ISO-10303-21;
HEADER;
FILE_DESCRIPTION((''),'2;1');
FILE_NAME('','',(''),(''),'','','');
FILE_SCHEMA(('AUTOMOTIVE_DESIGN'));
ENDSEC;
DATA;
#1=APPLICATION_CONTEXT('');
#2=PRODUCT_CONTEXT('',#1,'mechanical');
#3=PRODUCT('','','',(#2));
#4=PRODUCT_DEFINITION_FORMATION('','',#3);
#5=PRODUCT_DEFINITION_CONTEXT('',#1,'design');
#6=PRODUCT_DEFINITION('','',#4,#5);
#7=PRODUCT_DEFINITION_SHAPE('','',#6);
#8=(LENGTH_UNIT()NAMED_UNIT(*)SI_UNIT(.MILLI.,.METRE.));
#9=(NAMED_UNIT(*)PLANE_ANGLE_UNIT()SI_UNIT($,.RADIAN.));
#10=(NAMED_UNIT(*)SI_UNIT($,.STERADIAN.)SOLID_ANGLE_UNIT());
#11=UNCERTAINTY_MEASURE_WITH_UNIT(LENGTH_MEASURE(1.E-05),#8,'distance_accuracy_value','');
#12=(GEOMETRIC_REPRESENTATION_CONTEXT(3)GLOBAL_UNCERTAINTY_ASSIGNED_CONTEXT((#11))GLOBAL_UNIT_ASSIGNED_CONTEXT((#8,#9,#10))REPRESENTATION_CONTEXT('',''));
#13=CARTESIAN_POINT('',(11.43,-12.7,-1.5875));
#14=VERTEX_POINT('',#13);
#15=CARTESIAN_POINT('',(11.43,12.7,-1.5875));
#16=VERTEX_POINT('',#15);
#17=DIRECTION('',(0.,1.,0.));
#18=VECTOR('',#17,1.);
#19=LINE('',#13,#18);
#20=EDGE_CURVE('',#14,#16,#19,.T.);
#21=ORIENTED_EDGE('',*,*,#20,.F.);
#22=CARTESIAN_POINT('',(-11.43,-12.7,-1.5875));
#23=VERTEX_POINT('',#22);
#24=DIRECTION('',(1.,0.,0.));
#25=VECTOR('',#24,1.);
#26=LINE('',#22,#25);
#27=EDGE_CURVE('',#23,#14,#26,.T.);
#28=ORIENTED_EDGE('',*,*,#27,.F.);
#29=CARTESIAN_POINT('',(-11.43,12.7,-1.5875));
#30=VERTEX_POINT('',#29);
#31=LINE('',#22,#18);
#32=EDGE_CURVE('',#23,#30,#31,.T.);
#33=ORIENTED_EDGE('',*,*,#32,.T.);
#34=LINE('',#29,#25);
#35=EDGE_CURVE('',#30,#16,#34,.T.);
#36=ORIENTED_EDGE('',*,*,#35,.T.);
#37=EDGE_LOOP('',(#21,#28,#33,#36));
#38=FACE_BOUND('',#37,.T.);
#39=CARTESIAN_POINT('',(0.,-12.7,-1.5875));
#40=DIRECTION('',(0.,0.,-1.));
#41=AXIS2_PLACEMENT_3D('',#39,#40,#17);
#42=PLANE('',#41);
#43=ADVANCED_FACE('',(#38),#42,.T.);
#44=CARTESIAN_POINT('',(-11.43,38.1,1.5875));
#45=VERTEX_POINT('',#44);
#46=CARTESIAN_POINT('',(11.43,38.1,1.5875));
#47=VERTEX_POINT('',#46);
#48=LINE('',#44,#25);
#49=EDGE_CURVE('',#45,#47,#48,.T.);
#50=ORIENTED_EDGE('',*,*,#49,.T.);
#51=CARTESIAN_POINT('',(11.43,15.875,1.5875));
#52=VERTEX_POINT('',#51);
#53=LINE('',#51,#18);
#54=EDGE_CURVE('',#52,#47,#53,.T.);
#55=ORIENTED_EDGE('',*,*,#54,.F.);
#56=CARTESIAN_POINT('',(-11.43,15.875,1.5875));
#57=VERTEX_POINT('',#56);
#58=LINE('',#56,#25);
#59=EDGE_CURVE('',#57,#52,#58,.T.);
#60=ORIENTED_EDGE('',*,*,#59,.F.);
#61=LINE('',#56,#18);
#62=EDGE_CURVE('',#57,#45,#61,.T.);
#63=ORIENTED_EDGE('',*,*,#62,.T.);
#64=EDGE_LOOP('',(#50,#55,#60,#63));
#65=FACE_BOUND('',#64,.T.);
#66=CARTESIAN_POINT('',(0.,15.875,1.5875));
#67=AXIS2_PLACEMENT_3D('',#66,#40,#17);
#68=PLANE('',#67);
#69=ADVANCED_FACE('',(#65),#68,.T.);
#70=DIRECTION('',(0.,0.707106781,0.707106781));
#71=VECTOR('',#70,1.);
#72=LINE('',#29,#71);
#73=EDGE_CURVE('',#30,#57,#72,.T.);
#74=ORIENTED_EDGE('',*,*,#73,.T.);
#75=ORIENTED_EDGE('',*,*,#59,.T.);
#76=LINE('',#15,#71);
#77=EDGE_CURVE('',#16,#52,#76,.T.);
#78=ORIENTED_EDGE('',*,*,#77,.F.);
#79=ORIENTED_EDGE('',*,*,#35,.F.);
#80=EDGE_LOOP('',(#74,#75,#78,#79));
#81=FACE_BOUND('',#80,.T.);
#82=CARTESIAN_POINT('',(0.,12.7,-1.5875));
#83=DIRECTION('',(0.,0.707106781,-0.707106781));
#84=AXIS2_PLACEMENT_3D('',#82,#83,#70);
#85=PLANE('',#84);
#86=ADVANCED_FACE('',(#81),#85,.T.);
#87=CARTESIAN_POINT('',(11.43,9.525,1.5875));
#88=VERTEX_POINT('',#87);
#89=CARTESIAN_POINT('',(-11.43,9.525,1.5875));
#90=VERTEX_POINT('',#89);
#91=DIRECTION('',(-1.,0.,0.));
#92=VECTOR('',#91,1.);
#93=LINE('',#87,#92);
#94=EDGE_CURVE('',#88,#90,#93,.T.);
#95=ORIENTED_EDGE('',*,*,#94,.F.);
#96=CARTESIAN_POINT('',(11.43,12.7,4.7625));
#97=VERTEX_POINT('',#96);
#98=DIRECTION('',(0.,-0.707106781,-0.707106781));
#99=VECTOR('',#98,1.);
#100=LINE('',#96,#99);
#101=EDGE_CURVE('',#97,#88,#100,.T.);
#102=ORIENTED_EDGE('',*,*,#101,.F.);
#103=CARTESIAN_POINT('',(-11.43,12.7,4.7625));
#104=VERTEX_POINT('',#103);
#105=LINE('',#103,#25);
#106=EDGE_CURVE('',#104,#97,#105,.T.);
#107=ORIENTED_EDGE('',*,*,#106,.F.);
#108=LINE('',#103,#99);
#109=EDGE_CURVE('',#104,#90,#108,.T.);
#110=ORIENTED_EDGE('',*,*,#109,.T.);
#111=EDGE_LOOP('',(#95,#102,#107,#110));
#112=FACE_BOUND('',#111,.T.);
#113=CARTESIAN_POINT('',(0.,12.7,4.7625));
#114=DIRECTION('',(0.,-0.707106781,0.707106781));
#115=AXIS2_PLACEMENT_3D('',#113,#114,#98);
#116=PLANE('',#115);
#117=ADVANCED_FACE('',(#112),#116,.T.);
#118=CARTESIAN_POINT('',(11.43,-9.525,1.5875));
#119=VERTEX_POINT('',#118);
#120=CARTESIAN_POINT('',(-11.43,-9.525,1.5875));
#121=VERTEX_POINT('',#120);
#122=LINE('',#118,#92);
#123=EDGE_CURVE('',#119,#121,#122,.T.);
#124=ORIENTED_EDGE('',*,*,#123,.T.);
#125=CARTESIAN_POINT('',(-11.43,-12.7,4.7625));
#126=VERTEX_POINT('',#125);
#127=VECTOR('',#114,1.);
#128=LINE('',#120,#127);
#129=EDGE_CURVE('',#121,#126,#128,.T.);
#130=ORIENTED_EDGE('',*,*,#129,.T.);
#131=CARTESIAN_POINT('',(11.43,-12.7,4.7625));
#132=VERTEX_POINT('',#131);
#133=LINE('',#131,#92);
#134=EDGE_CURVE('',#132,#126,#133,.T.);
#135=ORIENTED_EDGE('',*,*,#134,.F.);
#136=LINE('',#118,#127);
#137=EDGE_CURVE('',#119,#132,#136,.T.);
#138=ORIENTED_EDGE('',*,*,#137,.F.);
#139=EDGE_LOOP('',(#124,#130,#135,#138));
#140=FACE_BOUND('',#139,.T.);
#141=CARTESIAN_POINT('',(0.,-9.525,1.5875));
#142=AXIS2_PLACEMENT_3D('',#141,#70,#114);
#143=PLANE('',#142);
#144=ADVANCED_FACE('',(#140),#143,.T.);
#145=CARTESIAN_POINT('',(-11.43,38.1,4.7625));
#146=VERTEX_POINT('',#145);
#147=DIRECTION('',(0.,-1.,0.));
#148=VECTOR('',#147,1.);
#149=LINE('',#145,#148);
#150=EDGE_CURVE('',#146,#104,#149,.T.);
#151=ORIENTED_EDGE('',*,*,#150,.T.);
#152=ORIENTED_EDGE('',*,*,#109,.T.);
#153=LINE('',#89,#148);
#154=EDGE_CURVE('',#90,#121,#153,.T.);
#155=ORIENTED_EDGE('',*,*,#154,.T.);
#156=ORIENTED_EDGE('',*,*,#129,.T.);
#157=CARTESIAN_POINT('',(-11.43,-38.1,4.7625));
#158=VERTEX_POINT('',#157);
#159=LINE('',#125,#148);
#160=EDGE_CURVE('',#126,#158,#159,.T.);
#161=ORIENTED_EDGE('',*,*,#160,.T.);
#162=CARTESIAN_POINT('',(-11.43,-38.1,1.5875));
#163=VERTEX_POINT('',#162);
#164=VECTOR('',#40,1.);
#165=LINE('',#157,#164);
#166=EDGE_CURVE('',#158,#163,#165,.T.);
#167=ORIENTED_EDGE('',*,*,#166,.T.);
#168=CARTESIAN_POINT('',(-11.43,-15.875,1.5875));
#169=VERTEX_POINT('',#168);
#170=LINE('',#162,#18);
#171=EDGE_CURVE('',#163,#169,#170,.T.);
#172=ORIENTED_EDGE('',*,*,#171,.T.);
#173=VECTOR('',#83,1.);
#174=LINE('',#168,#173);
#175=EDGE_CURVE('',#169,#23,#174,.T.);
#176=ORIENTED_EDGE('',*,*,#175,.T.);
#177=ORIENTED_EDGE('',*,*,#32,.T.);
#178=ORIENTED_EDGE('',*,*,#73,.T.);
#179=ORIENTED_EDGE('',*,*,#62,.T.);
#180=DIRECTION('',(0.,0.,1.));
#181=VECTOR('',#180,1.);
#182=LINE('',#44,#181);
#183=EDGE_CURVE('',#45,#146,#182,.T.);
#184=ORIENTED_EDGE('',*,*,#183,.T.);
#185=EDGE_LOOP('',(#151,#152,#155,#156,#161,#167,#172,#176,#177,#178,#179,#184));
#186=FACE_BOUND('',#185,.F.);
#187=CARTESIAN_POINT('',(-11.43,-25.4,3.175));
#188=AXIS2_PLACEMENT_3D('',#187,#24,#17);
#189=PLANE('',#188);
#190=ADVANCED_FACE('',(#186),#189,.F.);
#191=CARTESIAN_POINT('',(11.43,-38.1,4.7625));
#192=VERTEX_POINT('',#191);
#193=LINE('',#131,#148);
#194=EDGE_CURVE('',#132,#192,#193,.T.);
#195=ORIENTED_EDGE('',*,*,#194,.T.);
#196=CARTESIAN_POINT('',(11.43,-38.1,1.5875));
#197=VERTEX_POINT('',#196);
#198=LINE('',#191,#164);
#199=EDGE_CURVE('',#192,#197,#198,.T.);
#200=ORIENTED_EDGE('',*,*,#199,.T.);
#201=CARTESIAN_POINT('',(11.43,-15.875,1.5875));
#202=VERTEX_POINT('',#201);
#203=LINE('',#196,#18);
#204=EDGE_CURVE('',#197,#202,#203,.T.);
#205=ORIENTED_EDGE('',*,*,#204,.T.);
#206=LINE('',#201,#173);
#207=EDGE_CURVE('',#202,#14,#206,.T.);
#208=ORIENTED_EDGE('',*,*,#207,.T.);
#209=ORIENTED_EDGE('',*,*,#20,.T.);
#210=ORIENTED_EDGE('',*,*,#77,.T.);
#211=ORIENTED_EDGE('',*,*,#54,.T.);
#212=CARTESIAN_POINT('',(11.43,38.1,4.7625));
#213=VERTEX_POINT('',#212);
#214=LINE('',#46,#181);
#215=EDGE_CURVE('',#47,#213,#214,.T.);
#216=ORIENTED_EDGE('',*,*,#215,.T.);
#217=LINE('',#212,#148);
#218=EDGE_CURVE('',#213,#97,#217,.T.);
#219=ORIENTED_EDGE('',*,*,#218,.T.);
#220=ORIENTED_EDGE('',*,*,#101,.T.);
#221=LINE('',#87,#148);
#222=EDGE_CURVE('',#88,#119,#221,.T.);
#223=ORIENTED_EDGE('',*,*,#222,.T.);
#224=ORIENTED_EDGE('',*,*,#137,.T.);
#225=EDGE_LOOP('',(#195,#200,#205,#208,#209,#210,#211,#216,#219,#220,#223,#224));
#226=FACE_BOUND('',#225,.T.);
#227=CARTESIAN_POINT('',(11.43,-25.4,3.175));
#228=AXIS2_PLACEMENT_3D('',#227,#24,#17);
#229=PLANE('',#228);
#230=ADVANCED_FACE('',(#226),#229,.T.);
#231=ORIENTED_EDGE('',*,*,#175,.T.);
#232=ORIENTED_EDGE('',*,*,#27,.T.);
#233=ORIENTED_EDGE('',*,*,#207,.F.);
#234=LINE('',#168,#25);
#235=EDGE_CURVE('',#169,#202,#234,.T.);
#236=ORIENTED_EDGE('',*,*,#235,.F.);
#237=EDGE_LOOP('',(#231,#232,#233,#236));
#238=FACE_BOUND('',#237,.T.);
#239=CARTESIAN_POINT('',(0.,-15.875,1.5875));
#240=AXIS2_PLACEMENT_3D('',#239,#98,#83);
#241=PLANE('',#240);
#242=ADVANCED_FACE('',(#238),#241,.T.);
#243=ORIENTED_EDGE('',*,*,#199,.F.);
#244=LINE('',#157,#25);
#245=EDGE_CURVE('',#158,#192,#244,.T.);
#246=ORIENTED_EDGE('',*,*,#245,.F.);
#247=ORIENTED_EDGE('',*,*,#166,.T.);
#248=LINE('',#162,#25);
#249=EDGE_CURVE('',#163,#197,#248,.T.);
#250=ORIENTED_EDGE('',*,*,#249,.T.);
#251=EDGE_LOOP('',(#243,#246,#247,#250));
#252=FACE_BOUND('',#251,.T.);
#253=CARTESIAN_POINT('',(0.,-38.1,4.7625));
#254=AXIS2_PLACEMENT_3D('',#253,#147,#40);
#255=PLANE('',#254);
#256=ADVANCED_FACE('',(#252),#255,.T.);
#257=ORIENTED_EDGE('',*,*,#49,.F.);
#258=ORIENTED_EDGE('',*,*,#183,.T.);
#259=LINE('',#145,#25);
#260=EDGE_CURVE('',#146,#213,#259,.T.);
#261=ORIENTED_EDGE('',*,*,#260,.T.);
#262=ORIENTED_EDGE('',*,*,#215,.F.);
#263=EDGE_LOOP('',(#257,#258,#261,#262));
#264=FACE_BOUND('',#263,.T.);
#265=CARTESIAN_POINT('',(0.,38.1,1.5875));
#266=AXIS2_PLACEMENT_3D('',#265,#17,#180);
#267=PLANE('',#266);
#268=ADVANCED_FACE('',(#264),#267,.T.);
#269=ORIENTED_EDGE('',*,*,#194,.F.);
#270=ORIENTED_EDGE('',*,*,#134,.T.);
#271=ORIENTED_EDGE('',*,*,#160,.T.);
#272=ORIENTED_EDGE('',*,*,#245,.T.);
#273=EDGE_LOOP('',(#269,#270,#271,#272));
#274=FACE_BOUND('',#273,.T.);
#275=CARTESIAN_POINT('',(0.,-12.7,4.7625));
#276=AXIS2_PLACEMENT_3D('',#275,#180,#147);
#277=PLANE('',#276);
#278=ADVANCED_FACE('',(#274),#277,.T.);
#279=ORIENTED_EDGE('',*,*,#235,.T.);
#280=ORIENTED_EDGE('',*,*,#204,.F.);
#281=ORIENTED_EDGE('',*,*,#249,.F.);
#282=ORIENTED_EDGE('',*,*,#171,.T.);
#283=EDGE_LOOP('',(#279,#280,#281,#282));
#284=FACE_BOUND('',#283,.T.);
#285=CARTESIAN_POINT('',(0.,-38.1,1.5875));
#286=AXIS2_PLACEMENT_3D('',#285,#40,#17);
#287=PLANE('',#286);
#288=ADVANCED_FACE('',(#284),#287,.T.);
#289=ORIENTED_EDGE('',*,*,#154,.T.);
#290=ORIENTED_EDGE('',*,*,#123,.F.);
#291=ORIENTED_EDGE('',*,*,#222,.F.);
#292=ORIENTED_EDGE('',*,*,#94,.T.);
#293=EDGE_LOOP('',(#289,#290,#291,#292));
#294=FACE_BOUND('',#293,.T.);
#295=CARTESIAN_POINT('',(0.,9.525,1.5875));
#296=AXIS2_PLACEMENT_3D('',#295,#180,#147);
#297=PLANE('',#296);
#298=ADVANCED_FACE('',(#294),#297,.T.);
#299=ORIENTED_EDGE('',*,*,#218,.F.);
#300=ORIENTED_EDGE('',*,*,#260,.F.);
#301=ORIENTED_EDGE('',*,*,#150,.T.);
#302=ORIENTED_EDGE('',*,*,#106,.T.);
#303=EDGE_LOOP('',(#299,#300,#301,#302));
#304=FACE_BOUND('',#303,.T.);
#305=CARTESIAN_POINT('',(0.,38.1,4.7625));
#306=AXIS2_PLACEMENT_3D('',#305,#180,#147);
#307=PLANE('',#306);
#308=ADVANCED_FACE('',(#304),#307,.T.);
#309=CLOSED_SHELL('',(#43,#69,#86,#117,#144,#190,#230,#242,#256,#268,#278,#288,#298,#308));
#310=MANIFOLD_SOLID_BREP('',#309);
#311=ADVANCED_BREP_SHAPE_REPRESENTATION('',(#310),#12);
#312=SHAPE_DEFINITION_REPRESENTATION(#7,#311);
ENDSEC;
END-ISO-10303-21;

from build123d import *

# Parameters (mm, degrees)
F1_DEPTH = 11.43


with BuildPart() as f1:
    # F0 (on Right) → F1 (new body, symmetric)
    with BuildSketch(Plane.YZ):
        Polygon((-15.875, 1.5875), (-12.7, 1.5875), (-12.7, 4.7625), (-38.1, 4.7625), (-38.1, 1.5875), align=None)
        Polygon((9.525, 1.5875), (12.7, 1.5875), (12.7, 4.7625), align=None)
        Polygon((-12.7, 1.5875), (-9.525, 1.5875), (-12.7, 4.7625), align=None)
        Polygon((15.875, 1.5875), (12.7, 1.5875), (12.7, -1.5875), align=None)
        Polygon((-15.875, 1.5875), (-12.7, -1.5875), (-12.7, 1.5875), align=None)
        Polygon((12.7, 4.7625), (12.7, 1.5875), (15.875, 1.5875), (38.1, 1.5875), (38.1, 4.7625), align=None)
        Polygon((12.7, -1.5875), (12.7, 1.5875), (9.525, 1.5875), (-9.525, 1.5875), (-12.7, 1.5875), (-12.7, -1.5875), align=None)
    extrude(amount=F1_DEPTH, both=True)


solid = f1.part
